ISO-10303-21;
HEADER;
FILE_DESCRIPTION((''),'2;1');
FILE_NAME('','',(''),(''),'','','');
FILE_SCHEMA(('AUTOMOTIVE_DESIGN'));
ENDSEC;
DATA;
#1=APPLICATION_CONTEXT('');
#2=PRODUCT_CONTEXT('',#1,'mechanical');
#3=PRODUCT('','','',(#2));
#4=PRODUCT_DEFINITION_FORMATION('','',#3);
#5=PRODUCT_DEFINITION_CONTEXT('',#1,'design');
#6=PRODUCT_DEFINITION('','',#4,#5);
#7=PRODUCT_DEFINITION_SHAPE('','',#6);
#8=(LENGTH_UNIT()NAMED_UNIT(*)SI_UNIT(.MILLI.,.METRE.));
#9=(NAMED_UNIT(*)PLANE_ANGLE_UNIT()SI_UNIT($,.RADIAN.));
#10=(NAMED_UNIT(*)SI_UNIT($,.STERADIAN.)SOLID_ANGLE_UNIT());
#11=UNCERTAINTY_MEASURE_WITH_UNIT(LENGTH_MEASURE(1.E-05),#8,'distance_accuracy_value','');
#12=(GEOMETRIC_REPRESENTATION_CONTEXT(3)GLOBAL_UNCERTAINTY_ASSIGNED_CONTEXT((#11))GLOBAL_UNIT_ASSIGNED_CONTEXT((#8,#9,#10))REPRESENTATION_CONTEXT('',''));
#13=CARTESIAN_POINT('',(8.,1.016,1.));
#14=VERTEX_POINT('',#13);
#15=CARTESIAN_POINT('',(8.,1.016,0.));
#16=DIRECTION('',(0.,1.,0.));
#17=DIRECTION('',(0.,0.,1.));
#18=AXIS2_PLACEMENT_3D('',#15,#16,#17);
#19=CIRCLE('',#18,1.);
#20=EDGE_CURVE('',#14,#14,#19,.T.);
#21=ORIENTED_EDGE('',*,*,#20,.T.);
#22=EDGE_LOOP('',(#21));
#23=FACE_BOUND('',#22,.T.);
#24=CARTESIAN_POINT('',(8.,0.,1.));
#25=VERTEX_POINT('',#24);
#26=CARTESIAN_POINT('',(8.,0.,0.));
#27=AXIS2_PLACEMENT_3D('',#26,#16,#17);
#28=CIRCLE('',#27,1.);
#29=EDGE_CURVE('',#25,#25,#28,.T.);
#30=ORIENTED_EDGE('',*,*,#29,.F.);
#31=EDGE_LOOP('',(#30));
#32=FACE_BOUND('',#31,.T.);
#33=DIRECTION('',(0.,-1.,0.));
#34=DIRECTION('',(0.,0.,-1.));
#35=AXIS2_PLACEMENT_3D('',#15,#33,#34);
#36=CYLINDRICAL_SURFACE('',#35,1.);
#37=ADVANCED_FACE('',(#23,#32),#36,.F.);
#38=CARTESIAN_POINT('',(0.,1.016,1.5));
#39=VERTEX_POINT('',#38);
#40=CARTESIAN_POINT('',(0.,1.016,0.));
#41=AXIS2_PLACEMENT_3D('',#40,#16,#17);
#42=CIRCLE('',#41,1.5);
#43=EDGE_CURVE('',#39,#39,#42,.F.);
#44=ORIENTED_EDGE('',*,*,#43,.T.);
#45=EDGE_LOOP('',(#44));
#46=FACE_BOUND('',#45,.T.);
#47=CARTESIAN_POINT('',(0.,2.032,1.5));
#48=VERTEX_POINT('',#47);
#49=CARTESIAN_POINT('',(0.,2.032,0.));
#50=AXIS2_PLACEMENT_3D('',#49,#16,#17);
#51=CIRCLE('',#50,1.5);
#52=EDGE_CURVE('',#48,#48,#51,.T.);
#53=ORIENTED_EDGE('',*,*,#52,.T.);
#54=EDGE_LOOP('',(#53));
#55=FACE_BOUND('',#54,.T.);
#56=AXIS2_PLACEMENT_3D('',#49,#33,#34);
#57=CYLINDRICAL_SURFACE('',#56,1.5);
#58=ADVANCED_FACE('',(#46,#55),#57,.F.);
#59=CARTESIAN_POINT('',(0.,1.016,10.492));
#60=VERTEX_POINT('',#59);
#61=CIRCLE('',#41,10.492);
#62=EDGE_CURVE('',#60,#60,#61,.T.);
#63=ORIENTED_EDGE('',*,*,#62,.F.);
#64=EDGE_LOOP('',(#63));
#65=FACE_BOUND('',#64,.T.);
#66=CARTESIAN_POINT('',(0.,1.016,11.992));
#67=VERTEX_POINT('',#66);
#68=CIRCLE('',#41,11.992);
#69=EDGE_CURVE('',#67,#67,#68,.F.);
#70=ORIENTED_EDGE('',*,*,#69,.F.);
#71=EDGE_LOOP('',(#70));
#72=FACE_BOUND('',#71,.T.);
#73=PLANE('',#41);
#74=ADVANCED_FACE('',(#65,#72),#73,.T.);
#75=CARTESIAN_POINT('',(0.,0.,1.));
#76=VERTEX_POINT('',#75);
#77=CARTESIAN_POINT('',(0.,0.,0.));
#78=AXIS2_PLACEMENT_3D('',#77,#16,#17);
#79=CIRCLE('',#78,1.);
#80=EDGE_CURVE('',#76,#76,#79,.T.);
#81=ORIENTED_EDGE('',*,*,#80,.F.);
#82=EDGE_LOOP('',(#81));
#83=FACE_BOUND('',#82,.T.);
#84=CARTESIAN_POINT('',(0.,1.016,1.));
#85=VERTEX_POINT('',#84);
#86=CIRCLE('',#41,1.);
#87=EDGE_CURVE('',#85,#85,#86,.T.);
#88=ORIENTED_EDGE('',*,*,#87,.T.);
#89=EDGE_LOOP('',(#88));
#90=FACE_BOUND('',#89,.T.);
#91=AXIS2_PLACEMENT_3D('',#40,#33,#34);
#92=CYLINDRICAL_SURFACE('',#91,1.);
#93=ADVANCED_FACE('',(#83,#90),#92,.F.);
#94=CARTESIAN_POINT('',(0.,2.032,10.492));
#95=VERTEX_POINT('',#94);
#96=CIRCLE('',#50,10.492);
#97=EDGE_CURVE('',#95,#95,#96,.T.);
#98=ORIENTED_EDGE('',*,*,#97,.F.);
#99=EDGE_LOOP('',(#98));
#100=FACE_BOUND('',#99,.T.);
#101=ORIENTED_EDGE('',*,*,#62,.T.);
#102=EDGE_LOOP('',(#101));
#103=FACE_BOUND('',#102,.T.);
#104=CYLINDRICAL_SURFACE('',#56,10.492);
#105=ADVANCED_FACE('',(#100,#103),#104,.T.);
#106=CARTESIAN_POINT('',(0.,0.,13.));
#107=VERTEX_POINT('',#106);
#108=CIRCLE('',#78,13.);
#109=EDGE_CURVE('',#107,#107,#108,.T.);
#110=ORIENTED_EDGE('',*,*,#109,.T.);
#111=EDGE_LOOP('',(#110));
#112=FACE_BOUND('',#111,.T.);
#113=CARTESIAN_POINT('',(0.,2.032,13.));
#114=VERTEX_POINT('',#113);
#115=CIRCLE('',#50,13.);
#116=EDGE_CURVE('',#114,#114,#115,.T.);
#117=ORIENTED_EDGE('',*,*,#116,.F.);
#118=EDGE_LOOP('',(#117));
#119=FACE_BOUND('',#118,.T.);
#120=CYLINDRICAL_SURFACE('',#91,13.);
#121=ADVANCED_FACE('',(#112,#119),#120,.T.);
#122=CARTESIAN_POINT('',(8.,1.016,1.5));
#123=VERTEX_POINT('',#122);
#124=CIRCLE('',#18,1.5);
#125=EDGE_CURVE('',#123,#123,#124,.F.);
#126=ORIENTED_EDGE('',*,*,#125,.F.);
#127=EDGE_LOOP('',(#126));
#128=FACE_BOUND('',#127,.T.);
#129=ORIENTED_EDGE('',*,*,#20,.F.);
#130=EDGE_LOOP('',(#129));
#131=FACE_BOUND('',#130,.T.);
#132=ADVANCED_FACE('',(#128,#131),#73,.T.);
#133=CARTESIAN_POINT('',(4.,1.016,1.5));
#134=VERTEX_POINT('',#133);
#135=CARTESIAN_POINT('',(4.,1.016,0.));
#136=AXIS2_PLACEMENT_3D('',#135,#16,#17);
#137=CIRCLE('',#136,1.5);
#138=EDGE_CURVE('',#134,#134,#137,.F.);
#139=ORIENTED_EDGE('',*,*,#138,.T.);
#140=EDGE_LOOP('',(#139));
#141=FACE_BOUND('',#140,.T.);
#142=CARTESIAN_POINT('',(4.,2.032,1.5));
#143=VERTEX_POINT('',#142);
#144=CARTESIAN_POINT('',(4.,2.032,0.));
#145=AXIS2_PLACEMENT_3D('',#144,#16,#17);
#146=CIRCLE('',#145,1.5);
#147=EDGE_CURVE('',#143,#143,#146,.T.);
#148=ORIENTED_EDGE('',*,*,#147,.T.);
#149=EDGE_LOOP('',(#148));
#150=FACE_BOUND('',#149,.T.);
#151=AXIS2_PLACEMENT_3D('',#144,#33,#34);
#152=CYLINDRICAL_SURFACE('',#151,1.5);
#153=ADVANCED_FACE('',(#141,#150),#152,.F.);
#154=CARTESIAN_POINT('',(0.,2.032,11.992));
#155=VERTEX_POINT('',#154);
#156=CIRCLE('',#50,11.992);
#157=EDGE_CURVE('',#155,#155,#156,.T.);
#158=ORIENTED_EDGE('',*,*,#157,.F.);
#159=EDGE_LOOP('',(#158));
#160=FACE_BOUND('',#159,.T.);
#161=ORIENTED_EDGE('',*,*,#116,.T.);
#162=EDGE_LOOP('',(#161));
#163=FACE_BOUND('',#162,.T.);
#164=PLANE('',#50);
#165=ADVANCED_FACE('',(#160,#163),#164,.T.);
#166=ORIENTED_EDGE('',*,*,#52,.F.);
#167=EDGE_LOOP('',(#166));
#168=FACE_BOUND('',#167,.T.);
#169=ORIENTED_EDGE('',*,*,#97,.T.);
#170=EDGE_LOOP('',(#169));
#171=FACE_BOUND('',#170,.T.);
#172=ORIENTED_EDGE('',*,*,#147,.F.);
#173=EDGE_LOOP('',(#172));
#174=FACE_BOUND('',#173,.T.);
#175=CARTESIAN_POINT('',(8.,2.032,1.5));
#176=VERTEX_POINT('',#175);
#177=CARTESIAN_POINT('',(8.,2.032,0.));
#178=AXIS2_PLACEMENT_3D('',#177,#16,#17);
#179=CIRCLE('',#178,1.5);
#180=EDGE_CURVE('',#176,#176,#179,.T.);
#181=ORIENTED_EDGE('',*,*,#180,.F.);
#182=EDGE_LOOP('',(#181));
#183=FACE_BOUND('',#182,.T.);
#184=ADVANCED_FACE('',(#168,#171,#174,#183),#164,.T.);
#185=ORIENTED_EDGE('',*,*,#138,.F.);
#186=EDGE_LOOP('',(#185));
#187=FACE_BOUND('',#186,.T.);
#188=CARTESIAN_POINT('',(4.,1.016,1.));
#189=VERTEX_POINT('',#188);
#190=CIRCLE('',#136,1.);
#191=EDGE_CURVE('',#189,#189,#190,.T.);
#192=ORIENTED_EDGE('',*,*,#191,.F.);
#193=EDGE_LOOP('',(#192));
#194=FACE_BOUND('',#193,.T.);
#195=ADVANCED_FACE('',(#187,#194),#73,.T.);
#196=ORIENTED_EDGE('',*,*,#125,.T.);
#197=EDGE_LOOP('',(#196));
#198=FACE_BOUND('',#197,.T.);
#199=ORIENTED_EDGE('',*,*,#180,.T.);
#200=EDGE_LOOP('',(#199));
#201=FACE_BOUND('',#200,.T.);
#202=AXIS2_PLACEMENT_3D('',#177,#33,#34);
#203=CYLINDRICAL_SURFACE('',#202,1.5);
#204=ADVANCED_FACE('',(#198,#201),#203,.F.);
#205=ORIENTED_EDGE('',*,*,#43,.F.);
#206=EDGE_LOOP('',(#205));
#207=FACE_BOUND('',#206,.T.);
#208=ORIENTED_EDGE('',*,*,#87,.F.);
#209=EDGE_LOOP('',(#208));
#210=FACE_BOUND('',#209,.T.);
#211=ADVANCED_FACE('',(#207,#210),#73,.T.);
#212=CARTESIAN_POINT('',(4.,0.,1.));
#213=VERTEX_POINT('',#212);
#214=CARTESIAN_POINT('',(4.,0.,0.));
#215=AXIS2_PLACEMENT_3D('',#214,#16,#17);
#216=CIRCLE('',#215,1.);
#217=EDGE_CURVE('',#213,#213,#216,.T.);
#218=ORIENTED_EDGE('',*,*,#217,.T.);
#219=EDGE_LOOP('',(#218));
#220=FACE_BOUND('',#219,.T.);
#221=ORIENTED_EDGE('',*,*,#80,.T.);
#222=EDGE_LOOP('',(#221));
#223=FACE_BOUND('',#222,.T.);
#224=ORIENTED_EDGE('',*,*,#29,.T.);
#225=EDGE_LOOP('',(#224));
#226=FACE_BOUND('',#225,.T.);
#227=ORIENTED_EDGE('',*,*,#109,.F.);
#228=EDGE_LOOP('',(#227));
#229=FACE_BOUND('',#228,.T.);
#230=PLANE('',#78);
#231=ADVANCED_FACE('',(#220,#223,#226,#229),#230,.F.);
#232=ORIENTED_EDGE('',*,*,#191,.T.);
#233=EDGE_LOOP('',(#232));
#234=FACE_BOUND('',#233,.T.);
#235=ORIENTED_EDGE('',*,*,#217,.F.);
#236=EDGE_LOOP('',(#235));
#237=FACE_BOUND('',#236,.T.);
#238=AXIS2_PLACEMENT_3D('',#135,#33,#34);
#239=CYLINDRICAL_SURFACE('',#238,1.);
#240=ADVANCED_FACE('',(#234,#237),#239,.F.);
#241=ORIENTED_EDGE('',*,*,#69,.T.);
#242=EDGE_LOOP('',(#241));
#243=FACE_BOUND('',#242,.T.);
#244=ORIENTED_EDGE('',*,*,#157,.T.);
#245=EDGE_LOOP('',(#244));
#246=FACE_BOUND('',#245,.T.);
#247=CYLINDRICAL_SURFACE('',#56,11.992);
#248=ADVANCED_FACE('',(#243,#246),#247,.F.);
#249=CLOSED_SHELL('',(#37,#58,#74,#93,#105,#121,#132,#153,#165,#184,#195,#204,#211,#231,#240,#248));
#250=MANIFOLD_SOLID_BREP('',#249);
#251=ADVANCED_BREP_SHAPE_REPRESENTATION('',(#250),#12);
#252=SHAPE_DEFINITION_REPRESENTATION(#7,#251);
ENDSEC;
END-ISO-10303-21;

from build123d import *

# Parameters (mm, degrees)
SKETCH2_R           = 13
SKETCH2_R_2         = 1
BOSS_EXTRUDE2_DEPTH = 1.016
SKETCH3_R           = 13
SKETCH3_R_2         = 11.992
SKETCH3_R_3         = 10.492
SKETCH3_R_4         = 1.5
BOSS_EXTRUDE4_DEPTH = 1.016


with BuildPart() as part:
    # Sketch2 → Boss-Extrude2 (new body)
    with BuildSketch(Plane(origin=(0, 0, 0), x_dir=(1, 0, 0), z_dir=(0, 1, 0))):
        with Locations(Location((0, 0, 0), (0, 0, 270))):
            Circle(SKETCH2_R)
        with Locations(Location((0, 0, 0), (0, 0, 270))):
            Circle(SKETCH2_R_2, mode=Mode.SUBTRACT)
        with Locations(Location((4, 0, 0), (0, 0, 270))):
            Circle(SKETCH2_R_2, mode=Mode.SUBTRACT)
        with Locations(Location((8, 0, 0), (0, 0, 270))):
            Circle(SKETCH2_R_2, mode=Mode.SUBTRACT)
    extrude(amount=BOSS_EXTRUDE2_DEPTH)

    # Sketch3 → Boss-Extrude4 (add)
    # profile 1 of 2: a face of its own
    with BuildSketch(Plane(origin=(0, 1.016, 0), x_dir=(1, 0, 0), z_dir=(0, 1, 0))):
        with Locations(Location((0, 0, 0), (0, 0, 270))):
            Circle(SKETCH3_R)
        with Locations(Location((0, 0, 0), (0, 0, 270))):
            Circle(SKETCH3_R_2, mode=Mode.SUBTRACT)
    # profile 2 of 2: a face of its own
    with BuildSketch(Plane(origin=(0, 1.016, 0), x_dir=(1, 0, 0), z_dir=(0, 1, 0))):
        with Locations(Location((0, 0, 0), (0, 0, 270))):
            Circle(SKETCH3_R_3)
        with Locations(Location((0, 0, 0), (0, 0, 270))):
            Circle(SKETCH3_R_4, mode=Mode.SUBTRACT)
        with Locations(Location((4, 0, 0), (0, 0, 270))):
            Circle(SKETCH3_R_4, mode=Mode.SUBTRACT)
        with Locations(Location((8, 0, 0), (0, 0, 270))):
            Circle(SKETCH3_R_4, mode=Mode.SUBTRACT)
    extrude(amount=BOSS_EXTRUDE4_DEPTH)


solid = part.part
